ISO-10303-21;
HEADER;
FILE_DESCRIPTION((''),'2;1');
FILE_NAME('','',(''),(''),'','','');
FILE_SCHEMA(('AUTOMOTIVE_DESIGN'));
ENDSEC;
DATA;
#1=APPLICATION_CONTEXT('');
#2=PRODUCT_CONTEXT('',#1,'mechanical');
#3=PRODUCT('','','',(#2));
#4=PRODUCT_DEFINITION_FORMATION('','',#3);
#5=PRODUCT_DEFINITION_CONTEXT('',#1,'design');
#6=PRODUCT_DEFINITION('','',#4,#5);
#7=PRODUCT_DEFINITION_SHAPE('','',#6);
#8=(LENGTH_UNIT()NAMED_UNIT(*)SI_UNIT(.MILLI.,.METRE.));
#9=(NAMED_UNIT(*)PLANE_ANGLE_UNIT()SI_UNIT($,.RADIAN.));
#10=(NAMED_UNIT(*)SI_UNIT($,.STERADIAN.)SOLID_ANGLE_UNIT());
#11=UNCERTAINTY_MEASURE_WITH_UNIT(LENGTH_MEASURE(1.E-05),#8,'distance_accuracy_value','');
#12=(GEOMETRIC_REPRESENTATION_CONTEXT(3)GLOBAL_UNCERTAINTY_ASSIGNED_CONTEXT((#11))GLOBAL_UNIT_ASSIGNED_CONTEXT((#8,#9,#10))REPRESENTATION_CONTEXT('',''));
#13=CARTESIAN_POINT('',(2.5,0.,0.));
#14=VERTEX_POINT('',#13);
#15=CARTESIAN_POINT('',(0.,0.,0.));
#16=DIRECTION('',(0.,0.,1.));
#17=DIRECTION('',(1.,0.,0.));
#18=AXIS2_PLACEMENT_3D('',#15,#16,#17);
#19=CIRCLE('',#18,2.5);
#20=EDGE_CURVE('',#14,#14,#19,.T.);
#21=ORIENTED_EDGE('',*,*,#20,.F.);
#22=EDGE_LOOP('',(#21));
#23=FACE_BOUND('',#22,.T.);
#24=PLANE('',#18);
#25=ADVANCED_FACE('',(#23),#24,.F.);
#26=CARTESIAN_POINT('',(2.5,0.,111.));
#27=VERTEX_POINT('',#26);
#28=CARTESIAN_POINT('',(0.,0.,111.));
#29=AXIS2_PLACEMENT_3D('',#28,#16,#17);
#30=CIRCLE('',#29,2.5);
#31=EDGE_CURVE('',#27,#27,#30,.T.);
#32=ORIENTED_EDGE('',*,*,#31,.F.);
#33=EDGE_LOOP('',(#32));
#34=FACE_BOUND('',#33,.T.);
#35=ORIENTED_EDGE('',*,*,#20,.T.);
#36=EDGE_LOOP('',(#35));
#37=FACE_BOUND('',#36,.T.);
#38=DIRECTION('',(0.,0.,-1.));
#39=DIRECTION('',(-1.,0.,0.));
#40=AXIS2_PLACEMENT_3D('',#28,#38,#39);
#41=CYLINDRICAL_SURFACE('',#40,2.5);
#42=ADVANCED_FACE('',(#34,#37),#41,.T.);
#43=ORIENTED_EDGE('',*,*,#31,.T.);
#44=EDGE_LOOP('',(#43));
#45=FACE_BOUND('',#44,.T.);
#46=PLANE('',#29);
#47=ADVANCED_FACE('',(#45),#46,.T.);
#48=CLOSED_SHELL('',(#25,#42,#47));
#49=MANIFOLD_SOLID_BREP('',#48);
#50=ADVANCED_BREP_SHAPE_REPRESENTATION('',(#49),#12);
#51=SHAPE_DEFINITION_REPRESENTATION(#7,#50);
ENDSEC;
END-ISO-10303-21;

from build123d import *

# Parameters (mm, degrees)
SKETCH1_R           = 2.5
BOSS_EXTRUDE1_DEPTH = 111


with BuildPart() as part:
    # Sketch1 → Boss-Extrude1 (new body)
    with BuildSketch(Plane.XY):
        Circle(SKETCH1_R)
    extrude(amount=BOSS_EXTRUDE1_DEPTH)


solid = part.part
